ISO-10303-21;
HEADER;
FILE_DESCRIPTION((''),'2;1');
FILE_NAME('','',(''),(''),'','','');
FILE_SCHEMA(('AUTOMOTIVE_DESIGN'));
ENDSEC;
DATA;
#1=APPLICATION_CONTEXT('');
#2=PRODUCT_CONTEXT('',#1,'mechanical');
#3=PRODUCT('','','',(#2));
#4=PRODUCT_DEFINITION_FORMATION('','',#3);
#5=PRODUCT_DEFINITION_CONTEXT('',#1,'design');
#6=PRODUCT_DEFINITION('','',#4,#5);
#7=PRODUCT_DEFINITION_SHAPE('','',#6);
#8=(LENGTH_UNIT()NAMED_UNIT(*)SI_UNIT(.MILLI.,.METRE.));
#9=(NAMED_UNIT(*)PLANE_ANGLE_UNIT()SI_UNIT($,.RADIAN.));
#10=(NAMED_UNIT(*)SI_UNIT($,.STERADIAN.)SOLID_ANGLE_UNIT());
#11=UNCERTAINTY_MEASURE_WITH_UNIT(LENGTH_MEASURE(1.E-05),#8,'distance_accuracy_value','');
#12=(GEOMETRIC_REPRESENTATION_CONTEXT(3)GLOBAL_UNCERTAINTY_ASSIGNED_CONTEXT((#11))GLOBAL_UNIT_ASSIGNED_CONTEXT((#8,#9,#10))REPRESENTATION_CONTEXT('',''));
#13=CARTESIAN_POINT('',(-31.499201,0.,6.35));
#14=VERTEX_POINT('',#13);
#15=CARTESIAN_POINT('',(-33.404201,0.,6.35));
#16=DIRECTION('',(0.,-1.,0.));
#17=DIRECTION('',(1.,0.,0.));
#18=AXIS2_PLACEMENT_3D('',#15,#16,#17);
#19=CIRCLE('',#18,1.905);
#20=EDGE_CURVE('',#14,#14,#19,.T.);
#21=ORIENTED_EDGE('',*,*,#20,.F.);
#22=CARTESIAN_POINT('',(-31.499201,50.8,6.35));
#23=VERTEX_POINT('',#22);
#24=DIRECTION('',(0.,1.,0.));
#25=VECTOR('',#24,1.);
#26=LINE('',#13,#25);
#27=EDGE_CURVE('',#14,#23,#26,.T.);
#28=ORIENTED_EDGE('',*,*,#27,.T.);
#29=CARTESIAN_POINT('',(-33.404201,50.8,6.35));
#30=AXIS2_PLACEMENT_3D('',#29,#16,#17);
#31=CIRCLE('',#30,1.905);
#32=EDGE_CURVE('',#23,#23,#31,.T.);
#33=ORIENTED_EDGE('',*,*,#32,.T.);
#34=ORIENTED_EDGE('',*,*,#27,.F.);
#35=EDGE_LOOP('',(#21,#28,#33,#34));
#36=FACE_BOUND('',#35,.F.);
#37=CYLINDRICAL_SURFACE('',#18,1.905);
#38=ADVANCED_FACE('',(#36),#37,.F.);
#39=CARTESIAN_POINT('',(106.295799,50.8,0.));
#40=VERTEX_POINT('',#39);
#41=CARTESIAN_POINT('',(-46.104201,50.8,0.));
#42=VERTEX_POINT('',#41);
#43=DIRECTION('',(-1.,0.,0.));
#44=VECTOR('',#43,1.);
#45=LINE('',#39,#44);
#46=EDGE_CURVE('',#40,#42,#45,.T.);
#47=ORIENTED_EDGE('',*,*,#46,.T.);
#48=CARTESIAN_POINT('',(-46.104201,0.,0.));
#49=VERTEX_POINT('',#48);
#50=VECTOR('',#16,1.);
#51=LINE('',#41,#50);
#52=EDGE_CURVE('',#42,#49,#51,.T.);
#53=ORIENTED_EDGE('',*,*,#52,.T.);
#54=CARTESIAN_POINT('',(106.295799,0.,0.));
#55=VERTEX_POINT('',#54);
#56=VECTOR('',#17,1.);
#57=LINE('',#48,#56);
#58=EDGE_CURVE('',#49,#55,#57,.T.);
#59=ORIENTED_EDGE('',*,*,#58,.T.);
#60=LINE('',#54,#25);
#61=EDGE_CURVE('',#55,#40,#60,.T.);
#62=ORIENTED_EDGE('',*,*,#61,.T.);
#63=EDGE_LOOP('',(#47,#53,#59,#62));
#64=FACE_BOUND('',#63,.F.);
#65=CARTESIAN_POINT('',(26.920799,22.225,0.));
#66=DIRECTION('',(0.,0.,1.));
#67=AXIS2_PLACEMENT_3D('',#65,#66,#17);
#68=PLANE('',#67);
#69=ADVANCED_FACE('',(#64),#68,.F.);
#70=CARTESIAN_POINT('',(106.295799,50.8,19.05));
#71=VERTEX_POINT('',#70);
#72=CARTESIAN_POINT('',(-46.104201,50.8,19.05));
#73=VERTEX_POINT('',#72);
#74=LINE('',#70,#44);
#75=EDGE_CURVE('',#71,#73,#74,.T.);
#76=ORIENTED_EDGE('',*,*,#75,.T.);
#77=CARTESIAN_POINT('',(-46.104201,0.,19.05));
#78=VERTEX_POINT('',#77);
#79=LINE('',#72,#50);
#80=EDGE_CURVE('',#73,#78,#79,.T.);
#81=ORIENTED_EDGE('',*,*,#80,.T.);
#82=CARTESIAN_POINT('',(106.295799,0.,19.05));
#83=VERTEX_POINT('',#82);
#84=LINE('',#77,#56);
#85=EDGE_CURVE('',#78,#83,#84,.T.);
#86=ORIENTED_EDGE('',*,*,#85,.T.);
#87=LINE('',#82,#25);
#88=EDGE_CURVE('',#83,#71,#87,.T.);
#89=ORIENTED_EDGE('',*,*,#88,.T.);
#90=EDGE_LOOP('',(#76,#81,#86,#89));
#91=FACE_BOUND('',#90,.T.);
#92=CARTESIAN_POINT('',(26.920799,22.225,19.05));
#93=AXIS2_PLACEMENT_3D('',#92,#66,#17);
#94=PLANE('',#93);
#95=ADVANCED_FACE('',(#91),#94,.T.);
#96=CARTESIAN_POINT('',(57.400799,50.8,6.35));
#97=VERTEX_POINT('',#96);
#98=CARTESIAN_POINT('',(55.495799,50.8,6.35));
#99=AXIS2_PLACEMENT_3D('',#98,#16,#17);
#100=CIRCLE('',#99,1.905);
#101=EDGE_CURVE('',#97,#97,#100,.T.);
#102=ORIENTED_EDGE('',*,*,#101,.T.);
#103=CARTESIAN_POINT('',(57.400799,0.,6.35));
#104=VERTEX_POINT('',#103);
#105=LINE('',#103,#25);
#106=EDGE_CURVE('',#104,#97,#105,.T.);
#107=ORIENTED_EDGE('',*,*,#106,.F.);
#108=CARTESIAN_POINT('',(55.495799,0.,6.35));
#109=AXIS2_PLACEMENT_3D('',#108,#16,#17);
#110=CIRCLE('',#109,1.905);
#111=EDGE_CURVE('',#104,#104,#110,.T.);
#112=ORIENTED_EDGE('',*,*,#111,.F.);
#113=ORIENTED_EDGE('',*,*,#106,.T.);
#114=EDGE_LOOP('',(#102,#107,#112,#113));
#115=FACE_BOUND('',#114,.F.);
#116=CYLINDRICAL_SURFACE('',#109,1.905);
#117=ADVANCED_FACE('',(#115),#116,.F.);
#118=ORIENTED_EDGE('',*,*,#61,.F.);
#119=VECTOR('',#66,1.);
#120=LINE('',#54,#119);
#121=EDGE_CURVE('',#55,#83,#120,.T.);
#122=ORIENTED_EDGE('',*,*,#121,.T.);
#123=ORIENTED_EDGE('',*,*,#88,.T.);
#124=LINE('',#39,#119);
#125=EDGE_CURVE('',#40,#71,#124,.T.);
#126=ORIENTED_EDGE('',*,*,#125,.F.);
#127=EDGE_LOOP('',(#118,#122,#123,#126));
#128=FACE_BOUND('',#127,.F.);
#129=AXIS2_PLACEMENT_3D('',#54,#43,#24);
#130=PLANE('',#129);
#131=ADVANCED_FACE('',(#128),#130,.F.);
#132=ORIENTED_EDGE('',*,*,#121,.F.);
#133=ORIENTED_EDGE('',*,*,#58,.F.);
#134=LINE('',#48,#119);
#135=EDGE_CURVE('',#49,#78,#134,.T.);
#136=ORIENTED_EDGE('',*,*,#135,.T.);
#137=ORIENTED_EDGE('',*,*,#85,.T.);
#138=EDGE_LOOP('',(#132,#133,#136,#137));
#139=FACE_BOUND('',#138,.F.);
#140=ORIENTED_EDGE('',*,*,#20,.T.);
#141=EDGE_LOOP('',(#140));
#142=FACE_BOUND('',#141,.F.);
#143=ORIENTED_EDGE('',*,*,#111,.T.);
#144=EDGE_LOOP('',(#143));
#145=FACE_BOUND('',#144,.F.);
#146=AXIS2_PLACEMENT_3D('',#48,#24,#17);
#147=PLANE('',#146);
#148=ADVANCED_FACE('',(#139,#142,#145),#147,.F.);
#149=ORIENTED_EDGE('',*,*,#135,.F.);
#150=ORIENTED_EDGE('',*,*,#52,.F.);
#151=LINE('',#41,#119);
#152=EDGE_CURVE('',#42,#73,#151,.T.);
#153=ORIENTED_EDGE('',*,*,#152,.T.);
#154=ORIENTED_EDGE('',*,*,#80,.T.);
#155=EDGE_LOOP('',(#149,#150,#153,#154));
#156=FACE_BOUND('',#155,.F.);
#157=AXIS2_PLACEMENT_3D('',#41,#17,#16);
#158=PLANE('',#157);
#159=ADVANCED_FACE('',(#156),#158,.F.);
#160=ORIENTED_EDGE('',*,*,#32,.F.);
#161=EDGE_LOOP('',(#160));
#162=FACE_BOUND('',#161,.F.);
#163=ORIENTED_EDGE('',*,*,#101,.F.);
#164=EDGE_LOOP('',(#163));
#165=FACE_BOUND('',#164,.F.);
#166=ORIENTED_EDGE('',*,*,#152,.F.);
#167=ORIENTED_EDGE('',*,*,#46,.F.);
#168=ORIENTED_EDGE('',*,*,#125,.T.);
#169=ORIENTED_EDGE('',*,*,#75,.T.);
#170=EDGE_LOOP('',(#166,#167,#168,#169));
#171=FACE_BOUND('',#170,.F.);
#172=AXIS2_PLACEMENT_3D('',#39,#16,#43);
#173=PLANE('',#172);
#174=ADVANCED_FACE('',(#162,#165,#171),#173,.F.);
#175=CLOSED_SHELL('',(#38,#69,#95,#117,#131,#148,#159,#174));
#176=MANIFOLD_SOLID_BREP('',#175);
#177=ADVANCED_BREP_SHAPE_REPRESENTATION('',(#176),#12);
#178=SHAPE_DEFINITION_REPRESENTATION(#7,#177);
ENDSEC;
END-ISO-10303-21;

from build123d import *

# Parameters (mm, degrees)
F0_W     = 50.8
F0_H     = 25.4
F1_DEPTH = 19.05
F2_R     = 1.905
F3_DEPTH = 76.2


with BuildPart() as f1:
    # F0 (on Top) → F1 (new body)
    with BuildSketch(Plane.XY):
        Polygon((-46.104201, 50.8), (-46.104201, 0), (106.295799, 0), (106.295799, 25.4), (55.495799, 25.4), (55.495799, 50.8), align=None)
        with Locations((80.895799, 38.1)):
            Rectangle(F0_W, F0_H)
    extrude(amount=F1_DEPTH)

    # F2 (on face) → F3 (cut)
    with BuildSketch(Plane.XZ):
        with Locations((-33.404201, 6.35)):
            Circle(F2_R)
        with Locations((55.495799, 6.35)):
            Circle(F2_R)
    extrude(amount=-F3_DEPTH, mode=Mode.SUBTRACT)


solid = f1.part
